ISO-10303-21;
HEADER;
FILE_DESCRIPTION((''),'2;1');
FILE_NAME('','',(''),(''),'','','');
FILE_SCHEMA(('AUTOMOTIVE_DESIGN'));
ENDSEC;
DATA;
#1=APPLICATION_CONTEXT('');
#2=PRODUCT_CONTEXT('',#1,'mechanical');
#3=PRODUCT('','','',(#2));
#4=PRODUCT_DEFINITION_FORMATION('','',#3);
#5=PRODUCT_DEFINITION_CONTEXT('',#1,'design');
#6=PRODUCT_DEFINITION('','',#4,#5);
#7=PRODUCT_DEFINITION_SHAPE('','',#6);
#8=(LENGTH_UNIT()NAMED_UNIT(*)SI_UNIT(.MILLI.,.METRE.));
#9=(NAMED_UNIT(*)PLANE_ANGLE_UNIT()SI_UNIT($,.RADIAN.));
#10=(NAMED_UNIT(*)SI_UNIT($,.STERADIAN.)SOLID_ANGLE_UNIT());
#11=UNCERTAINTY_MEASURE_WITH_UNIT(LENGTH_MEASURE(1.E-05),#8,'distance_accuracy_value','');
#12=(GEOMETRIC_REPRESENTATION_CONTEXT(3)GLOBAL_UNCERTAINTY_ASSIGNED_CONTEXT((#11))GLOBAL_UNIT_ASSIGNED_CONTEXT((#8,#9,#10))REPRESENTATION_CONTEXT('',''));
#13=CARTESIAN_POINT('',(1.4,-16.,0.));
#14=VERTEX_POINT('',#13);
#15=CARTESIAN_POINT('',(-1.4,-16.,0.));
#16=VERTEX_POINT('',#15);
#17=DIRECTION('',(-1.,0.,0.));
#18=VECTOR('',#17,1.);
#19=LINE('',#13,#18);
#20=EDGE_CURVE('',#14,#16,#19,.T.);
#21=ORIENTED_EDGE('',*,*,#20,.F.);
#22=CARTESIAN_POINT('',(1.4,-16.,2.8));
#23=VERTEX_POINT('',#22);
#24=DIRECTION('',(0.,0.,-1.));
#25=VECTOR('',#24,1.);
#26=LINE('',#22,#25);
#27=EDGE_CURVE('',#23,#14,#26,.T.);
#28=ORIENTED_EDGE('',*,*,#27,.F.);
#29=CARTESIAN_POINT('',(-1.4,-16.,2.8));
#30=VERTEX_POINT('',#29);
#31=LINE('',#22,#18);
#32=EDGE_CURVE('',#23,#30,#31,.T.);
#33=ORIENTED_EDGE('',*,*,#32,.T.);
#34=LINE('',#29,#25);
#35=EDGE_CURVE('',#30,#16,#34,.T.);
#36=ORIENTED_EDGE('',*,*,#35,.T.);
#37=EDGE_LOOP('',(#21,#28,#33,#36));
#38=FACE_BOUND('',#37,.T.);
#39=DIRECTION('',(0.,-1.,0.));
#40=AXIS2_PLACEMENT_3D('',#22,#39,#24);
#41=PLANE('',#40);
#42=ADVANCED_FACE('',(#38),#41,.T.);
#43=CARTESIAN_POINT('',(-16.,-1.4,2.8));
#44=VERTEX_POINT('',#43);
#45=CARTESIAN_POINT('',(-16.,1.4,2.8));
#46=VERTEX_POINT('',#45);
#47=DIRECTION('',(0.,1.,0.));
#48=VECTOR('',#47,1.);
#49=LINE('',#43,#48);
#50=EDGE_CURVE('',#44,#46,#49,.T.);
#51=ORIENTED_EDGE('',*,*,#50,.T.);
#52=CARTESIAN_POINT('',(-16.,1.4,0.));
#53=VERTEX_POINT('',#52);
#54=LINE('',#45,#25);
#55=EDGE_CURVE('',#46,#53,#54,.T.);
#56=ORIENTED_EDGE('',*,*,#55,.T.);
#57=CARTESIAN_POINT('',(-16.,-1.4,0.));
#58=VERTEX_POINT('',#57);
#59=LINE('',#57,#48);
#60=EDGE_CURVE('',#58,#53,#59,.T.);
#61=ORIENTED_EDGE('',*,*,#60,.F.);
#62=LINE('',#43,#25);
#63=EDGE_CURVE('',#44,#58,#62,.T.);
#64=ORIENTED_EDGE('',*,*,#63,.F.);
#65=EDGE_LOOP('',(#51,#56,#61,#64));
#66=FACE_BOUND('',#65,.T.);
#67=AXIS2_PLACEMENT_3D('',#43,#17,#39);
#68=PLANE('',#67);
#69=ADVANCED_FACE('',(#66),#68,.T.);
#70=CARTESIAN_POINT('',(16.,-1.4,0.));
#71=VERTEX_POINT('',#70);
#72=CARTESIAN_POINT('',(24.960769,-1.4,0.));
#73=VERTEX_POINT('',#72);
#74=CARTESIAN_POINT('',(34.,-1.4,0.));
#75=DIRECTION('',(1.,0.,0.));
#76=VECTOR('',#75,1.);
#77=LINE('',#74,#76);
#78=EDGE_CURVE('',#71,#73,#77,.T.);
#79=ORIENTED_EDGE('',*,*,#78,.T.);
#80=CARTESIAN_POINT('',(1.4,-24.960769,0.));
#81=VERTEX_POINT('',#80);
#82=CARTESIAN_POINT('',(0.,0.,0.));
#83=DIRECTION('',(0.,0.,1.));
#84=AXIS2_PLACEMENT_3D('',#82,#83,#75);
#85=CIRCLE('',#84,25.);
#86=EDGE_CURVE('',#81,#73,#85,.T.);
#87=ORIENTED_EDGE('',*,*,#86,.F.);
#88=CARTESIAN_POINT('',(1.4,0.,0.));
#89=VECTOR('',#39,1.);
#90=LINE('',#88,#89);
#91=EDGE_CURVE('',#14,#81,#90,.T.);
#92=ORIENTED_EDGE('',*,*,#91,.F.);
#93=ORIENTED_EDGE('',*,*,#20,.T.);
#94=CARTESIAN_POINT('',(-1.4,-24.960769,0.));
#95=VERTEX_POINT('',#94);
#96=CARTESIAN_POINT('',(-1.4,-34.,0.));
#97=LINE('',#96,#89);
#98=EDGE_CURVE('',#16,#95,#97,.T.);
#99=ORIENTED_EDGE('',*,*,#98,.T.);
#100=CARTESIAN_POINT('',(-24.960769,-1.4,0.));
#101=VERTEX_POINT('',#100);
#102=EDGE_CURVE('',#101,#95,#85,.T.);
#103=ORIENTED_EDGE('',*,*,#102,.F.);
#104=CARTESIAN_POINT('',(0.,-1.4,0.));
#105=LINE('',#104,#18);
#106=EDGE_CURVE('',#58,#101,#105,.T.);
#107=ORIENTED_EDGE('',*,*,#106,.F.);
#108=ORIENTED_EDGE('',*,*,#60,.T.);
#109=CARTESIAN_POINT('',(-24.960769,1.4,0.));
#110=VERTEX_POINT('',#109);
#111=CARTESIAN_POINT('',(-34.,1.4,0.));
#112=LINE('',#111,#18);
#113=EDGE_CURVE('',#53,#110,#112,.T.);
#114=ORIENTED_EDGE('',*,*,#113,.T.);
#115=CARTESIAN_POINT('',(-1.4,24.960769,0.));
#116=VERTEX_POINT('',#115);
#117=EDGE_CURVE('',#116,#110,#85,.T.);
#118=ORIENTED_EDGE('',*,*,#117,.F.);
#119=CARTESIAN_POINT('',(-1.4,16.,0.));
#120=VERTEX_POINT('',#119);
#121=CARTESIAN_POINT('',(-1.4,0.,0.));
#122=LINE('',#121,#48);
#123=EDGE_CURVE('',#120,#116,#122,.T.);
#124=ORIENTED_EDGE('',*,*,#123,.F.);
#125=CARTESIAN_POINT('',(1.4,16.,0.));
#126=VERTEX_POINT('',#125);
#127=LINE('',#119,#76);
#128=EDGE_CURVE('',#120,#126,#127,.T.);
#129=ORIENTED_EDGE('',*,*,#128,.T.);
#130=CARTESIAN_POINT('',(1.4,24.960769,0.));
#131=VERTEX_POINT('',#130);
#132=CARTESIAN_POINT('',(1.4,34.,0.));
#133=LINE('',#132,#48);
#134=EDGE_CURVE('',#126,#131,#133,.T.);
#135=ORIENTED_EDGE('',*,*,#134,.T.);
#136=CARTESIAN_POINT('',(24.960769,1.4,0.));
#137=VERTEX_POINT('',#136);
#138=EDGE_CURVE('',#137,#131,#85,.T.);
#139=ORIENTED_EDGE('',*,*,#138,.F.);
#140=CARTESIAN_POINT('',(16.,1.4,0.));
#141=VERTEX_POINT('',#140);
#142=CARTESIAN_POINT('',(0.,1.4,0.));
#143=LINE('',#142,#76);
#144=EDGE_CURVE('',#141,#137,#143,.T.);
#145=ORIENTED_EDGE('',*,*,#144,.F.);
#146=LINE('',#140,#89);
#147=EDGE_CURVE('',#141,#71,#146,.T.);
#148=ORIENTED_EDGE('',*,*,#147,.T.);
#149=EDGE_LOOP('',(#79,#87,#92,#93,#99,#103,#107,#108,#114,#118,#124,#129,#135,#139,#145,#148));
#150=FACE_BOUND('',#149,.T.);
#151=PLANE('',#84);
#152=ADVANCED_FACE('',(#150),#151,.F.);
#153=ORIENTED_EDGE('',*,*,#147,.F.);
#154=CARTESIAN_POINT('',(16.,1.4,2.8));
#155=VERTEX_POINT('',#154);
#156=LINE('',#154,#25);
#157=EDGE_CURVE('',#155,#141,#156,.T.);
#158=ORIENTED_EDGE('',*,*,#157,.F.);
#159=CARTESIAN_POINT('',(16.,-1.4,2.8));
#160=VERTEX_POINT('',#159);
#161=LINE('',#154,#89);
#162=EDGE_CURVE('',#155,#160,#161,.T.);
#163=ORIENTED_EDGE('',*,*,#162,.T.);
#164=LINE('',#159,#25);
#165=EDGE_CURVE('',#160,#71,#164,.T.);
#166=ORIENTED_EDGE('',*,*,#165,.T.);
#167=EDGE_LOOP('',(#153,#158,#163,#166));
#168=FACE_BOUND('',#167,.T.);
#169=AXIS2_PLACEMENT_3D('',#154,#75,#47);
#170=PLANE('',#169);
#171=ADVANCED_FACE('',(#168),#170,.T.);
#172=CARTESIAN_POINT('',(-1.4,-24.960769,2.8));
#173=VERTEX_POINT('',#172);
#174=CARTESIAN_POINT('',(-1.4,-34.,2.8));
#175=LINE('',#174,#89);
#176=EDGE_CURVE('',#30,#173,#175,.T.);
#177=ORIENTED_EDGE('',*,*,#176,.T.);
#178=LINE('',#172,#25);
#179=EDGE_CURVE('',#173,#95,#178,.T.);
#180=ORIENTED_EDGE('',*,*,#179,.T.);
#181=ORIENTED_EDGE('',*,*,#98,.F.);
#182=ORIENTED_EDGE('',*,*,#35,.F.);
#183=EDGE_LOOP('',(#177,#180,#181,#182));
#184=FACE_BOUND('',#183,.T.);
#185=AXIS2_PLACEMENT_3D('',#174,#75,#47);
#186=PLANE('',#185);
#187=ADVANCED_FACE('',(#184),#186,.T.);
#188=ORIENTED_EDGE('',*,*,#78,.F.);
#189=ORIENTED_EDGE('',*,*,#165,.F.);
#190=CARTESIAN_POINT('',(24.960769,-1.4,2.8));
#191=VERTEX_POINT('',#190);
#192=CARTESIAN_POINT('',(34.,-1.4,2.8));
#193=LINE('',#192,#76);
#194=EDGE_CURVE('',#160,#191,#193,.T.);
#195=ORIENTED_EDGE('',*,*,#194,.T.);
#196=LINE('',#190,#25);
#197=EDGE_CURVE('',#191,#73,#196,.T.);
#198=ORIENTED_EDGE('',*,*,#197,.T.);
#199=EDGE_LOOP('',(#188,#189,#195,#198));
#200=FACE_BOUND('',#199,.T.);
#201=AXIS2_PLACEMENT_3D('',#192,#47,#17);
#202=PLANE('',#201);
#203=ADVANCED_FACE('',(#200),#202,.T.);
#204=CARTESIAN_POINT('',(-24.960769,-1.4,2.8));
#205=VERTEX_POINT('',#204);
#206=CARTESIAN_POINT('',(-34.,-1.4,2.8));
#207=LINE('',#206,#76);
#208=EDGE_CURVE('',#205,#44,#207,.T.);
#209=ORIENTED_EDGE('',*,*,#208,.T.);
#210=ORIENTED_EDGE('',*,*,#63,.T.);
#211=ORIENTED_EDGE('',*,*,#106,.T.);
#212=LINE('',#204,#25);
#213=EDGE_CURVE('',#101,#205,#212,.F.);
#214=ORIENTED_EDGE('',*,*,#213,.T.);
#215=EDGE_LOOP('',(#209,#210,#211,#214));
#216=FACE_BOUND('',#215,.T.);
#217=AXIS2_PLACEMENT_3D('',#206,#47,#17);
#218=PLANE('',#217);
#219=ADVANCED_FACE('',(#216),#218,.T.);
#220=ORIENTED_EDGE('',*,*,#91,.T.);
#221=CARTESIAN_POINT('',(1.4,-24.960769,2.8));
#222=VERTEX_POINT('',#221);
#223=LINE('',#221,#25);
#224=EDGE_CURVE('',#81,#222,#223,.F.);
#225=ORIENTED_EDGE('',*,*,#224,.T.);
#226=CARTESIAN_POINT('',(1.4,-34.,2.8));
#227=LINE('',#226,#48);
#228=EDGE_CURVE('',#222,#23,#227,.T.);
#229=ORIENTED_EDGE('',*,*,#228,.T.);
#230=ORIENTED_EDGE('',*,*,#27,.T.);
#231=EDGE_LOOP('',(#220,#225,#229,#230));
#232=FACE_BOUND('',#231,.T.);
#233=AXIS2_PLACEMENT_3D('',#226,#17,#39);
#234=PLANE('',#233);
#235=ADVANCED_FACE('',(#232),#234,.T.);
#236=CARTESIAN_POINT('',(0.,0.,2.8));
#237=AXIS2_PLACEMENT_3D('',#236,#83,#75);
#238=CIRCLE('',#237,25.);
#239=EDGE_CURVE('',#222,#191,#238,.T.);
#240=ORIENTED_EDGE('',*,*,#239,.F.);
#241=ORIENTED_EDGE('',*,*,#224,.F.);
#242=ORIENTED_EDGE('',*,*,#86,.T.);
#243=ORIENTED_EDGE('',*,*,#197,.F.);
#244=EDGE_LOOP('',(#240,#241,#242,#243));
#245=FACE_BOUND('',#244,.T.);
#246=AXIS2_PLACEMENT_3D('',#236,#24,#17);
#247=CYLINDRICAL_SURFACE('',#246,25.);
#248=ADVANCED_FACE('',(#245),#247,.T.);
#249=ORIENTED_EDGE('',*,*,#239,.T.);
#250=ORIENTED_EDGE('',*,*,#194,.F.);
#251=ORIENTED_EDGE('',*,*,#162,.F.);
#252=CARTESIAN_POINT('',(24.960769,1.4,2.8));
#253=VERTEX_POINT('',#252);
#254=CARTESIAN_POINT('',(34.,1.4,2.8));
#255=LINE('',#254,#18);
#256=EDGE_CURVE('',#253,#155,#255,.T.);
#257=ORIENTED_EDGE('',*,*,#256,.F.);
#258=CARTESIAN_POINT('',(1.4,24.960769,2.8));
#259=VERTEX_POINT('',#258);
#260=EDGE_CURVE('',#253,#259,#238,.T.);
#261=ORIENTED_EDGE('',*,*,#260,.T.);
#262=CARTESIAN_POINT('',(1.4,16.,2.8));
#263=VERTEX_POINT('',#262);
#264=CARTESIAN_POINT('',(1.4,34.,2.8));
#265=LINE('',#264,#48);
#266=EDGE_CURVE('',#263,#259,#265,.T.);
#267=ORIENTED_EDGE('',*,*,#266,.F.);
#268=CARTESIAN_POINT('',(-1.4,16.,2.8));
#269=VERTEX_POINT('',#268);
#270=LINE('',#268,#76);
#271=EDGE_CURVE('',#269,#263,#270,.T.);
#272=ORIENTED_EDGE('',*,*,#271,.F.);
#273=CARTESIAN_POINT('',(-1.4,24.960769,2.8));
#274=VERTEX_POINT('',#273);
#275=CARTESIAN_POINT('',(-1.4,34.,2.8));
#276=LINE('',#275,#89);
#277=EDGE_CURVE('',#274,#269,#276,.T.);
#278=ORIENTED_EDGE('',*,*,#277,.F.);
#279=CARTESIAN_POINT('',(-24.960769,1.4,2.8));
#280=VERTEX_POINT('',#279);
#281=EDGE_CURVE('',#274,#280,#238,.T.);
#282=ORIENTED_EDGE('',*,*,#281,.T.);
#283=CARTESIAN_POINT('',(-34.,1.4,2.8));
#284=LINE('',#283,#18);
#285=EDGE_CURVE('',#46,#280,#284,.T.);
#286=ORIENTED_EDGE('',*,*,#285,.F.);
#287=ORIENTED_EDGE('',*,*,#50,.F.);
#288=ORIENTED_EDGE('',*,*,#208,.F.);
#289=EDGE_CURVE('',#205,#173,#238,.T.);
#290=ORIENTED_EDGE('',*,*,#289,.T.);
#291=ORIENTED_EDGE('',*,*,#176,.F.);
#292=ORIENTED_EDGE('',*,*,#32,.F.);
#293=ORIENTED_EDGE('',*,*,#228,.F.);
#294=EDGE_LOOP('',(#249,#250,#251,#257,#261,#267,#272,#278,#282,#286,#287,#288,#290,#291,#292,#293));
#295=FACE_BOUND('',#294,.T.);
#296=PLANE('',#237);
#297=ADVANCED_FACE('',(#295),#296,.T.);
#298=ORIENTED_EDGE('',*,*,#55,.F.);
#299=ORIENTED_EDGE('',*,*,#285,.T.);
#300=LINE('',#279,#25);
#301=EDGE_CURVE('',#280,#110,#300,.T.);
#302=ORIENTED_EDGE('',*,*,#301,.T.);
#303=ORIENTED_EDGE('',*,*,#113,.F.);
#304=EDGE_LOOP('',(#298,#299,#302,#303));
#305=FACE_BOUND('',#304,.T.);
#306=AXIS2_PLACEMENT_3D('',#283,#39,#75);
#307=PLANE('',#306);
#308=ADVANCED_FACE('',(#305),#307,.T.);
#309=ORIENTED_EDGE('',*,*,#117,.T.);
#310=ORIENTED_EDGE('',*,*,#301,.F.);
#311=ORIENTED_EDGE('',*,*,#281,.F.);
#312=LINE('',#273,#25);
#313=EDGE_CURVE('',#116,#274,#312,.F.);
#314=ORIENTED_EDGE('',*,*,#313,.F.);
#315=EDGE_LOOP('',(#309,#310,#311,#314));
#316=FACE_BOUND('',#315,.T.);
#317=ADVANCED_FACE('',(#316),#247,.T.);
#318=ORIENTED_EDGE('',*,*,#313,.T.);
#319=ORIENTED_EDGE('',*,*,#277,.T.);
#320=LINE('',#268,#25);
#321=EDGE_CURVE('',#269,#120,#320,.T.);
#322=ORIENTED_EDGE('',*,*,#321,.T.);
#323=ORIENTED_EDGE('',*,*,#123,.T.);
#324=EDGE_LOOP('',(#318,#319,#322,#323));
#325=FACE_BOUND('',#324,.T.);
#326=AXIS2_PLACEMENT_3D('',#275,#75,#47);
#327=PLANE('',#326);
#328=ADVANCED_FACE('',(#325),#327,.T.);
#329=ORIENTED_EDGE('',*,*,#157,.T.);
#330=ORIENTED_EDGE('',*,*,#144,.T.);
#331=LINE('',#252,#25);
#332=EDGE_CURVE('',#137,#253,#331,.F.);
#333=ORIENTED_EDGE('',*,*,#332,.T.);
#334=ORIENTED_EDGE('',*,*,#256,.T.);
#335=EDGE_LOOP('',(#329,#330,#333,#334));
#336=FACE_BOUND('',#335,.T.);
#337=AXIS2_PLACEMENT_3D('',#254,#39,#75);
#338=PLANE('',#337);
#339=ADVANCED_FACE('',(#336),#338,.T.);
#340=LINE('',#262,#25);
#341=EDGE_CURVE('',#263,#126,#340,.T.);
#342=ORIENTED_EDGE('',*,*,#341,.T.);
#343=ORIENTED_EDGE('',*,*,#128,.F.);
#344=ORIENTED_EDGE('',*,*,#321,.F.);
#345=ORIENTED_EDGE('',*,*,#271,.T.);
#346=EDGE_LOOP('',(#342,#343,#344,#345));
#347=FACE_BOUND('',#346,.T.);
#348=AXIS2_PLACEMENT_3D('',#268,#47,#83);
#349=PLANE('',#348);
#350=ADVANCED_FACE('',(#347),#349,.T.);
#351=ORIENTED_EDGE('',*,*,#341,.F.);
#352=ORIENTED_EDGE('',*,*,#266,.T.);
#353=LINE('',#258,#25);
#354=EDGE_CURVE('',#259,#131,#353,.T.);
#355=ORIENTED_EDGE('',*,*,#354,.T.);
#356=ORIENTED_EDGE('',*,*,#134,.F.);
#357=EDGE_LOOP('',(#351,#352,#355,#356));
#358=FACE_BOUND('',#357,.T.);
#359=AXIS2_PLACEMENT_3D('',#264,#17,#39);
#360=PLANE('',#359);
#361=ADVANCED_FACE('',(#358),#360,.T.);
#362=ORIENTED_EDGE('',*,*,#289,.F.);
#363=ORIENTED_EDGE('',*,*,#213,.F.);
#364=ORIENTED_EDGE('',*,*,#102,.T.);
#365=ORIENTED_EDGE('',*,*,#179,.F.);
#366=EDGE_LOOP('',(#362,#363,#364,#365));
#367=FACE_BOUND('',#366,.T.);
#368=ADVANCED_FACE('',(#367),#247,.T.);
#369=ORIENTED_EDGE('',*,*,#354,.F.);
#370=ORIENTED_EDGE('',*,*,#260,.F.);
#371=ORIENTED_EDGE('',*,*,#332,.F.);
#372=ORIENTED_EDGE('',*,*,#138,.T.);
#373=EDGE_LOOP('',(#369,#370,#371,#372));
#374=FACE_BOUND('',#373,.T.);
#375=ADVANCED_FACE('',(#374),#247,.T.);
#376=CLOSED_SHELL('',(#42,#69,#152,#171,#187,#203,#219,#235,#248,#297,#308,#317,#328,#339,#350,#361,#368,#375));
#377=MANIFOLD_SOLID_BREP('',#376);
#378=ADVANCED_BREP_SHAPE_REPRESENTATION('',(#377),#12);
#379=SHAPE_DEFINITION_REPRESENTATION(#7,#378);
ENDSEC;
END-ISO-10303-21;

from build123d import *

# Parameters (mm, degrees)
CROQUIS1_R              = 25
SALIENTE_EXTRUIR1_DEPTH = 2.8
CROQUIS2_W              = 2.8
CROQUIS2_H              = 18
CORTAR_EXTRUIR1_DEPTH   = 3.8
MATRIZC1_COUNT          = 4


with BuildPart() as part:
    # Croquis1 → Saliente-Extruir1 (new body)
    with BuildSketch(Plane.XY):
        Circle(CROQUIS1_R)
    extrude(amount=SALIENTE_EXTRUIR1_DEPTH)

    # Croquis2 → Cortar-Extruir1 (cut, through all)
    with BuildSketch(Plane.XY):
        with Locations((0, 25)):
            Rectangle(CROQUIS2_W, CROQUIS2_H)
    cortar_extruir1 = extrude(amount=CORTAR_EXTRUIR1_DEPTH, mode=Mode.SUBTRACT)

    # MatrizC1: Cortar-Extruir1 ×4 about axis
    matrizc1_axis = Axis((0, 0, 0), (0, 0, 1))
    for i in range(1, MATRIZC1_COUNT):
        add(cortar_extruir1.rotate(matrizc1_axis, i * 360 / MATRIZC1_COUNT), mode=Mode.SUBTRACT)


solid = part.part
